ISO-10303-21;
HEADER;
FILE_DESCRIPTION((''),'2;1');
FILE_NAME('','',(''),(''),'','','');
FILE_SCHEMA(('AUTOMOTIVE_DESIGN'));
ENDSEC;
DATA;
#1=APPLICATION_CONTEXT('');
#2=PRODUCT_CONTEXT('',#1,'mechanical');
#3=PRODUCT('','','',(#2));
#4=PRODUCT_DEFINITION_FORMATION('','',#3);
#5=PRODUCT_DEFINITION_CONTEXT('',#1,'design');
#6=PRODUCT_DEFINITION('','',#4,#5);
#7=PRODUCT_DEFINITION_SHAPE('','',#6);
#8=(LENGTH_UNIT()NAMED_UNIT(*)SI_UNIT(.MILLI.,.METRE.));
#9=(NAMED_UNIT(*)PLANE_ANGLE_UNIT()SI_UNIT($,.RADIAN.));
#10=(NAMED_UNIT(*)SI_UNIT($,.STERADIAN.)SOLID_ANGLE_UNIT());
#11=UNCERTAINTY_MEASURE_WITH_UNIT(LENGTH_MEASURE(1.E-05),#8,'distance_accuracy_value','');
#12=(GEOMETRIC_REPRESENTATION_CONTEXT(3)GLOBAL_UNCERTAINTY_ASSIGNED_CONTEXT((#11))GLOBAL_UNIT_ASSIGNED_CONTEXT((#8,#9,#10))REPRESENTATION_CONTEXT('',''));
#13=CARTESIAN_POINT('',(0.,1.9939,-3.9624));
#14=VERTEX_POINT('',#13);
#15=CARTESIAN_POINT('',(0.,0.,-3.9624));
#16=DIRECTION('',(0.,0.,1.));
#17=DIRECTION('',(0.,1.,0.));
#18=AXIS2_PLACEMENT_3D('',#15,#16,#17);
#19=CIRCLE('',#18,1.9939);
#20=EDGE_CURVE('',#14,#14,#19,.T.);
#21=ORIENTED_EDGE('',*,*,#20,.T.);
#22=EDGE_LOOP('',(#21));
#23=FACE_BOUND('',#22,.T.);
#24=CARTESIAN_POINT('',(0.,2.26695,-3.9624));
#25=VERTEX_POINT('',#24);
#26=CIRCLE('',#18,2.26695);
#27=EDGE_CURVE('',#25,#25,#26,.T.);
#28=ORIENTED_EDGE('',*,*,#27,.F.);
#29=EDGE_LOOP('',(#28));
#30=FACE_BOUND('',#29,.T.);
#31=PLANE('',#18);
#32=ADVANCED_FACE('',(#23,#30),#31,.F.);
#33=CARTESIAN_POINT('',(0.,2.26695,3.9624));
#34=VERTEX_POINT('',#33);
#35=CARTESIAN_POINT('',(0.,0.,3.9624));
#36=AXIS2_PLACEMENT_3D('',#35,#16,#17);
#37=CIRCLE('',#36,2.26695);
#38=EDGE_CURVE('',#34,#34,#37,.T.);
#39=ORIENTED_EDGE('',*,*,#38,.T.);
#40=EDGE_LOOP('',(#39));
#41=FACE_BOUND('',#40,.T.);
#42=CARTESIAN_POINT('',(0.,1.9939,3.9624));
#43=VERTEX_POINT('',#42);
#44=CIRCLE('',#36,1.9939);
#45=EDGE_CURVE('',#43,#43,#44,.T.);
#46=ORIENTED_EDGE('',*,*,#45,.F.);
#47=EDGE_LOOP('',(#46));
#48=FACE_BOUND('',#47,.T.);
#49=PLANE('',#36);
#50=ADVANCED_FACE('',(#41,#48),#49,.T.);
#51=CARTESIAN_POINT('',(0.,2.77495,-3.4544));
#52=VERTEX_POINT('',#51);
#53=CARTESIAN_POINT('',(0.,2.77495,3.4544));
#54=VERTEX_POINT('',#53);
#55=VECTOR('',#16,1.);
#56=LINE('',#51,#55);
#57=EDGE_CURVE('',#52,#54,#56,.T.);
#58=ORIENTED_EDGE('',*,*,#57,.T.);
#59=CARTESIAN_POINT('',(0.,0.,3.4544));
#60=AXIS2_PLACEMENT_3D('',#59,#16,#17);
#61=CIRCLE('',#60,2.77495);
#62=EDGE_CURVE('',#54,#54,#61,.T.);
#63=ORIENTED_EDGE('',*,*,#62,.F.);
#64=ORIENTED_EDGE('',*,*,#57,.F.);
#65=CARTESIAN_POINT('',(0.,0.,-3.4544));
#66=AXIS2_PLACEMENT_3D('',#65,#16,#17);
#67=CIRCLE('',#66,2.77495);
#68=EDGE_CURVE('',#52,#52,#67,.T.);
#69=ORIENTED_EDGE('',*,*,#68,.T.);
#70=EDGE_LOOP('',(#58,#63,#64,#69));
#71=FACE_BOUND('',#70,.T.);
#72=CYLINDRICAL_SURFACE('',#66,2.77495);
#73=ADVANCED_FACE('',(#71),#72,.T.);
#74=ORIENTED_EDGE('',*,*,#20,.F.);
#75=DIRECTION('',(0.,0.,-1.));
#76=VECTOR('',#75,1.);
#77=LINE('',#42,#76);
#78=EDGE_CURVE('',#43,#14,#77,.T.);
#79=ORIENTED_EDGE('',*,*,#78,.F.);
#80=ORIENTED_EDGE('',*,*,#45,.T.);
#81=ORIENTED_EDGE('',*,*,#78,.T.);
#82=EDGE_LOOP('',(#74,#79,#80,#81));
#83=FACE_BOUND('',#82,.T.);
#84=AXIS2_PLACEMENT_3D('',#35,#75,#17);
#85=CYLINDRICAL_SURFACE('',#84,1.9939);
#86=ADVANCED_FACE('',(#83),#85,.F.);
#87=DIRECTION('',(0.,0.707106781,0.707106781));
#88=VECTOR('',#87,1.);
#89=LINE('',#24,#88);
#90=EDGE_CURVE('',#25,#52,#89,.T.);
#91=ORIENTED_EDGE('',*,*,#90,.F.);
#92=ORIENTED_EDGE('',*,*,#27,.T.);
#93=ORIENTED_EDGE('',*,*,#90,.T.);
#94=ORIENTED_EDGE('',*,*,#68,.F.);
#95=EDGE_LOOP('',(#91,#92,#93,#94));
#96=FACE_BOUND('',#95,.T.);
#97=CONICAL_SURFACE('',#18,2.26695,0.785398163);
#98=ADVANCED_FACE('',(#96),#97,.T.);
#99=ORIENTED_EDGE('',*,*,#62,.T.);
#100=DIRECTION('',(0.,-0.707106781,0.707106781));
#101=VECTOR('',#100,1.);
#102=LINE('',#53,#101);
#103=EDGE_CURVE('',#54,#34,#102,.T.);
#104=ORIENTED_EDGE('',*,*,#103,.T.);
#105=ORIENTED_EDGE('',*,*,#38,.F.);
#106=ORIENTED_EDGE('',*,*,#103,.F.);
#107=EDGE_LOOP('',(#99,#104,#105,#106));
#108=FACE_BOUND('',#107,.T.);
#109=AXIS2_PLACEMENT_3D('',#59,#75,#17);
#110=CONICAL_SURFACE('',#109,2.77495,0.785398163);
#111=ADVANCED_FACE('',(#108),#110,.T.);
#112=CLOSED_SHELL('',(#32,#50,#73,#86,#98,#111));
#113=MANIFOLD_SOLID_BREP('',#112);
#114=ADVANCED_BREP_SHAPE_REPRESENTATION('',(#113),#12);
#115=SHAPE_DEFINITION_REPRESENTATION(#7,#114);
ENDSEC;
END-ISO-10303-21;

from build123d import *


with BuildPart() as part:
    # Sketch1 → Revolve1 (revolve)
    with BuildSketch(Plane(origin=(0, 0, 0), x_dir=(0, 0, -1), z_dir=(1, 0, 0))):
        Polygon((-3.9624, 2.26695), (-3.9624, 1.9939), (3.9624, 1.9939), (3.9624, 2.26695), (3.4544, 2.77495), (-3.4544, 2.77495), align=None)
    revolve(axis=Axis((0, 0, -3.9624), (0, 0, 1)))


solid = part.part
